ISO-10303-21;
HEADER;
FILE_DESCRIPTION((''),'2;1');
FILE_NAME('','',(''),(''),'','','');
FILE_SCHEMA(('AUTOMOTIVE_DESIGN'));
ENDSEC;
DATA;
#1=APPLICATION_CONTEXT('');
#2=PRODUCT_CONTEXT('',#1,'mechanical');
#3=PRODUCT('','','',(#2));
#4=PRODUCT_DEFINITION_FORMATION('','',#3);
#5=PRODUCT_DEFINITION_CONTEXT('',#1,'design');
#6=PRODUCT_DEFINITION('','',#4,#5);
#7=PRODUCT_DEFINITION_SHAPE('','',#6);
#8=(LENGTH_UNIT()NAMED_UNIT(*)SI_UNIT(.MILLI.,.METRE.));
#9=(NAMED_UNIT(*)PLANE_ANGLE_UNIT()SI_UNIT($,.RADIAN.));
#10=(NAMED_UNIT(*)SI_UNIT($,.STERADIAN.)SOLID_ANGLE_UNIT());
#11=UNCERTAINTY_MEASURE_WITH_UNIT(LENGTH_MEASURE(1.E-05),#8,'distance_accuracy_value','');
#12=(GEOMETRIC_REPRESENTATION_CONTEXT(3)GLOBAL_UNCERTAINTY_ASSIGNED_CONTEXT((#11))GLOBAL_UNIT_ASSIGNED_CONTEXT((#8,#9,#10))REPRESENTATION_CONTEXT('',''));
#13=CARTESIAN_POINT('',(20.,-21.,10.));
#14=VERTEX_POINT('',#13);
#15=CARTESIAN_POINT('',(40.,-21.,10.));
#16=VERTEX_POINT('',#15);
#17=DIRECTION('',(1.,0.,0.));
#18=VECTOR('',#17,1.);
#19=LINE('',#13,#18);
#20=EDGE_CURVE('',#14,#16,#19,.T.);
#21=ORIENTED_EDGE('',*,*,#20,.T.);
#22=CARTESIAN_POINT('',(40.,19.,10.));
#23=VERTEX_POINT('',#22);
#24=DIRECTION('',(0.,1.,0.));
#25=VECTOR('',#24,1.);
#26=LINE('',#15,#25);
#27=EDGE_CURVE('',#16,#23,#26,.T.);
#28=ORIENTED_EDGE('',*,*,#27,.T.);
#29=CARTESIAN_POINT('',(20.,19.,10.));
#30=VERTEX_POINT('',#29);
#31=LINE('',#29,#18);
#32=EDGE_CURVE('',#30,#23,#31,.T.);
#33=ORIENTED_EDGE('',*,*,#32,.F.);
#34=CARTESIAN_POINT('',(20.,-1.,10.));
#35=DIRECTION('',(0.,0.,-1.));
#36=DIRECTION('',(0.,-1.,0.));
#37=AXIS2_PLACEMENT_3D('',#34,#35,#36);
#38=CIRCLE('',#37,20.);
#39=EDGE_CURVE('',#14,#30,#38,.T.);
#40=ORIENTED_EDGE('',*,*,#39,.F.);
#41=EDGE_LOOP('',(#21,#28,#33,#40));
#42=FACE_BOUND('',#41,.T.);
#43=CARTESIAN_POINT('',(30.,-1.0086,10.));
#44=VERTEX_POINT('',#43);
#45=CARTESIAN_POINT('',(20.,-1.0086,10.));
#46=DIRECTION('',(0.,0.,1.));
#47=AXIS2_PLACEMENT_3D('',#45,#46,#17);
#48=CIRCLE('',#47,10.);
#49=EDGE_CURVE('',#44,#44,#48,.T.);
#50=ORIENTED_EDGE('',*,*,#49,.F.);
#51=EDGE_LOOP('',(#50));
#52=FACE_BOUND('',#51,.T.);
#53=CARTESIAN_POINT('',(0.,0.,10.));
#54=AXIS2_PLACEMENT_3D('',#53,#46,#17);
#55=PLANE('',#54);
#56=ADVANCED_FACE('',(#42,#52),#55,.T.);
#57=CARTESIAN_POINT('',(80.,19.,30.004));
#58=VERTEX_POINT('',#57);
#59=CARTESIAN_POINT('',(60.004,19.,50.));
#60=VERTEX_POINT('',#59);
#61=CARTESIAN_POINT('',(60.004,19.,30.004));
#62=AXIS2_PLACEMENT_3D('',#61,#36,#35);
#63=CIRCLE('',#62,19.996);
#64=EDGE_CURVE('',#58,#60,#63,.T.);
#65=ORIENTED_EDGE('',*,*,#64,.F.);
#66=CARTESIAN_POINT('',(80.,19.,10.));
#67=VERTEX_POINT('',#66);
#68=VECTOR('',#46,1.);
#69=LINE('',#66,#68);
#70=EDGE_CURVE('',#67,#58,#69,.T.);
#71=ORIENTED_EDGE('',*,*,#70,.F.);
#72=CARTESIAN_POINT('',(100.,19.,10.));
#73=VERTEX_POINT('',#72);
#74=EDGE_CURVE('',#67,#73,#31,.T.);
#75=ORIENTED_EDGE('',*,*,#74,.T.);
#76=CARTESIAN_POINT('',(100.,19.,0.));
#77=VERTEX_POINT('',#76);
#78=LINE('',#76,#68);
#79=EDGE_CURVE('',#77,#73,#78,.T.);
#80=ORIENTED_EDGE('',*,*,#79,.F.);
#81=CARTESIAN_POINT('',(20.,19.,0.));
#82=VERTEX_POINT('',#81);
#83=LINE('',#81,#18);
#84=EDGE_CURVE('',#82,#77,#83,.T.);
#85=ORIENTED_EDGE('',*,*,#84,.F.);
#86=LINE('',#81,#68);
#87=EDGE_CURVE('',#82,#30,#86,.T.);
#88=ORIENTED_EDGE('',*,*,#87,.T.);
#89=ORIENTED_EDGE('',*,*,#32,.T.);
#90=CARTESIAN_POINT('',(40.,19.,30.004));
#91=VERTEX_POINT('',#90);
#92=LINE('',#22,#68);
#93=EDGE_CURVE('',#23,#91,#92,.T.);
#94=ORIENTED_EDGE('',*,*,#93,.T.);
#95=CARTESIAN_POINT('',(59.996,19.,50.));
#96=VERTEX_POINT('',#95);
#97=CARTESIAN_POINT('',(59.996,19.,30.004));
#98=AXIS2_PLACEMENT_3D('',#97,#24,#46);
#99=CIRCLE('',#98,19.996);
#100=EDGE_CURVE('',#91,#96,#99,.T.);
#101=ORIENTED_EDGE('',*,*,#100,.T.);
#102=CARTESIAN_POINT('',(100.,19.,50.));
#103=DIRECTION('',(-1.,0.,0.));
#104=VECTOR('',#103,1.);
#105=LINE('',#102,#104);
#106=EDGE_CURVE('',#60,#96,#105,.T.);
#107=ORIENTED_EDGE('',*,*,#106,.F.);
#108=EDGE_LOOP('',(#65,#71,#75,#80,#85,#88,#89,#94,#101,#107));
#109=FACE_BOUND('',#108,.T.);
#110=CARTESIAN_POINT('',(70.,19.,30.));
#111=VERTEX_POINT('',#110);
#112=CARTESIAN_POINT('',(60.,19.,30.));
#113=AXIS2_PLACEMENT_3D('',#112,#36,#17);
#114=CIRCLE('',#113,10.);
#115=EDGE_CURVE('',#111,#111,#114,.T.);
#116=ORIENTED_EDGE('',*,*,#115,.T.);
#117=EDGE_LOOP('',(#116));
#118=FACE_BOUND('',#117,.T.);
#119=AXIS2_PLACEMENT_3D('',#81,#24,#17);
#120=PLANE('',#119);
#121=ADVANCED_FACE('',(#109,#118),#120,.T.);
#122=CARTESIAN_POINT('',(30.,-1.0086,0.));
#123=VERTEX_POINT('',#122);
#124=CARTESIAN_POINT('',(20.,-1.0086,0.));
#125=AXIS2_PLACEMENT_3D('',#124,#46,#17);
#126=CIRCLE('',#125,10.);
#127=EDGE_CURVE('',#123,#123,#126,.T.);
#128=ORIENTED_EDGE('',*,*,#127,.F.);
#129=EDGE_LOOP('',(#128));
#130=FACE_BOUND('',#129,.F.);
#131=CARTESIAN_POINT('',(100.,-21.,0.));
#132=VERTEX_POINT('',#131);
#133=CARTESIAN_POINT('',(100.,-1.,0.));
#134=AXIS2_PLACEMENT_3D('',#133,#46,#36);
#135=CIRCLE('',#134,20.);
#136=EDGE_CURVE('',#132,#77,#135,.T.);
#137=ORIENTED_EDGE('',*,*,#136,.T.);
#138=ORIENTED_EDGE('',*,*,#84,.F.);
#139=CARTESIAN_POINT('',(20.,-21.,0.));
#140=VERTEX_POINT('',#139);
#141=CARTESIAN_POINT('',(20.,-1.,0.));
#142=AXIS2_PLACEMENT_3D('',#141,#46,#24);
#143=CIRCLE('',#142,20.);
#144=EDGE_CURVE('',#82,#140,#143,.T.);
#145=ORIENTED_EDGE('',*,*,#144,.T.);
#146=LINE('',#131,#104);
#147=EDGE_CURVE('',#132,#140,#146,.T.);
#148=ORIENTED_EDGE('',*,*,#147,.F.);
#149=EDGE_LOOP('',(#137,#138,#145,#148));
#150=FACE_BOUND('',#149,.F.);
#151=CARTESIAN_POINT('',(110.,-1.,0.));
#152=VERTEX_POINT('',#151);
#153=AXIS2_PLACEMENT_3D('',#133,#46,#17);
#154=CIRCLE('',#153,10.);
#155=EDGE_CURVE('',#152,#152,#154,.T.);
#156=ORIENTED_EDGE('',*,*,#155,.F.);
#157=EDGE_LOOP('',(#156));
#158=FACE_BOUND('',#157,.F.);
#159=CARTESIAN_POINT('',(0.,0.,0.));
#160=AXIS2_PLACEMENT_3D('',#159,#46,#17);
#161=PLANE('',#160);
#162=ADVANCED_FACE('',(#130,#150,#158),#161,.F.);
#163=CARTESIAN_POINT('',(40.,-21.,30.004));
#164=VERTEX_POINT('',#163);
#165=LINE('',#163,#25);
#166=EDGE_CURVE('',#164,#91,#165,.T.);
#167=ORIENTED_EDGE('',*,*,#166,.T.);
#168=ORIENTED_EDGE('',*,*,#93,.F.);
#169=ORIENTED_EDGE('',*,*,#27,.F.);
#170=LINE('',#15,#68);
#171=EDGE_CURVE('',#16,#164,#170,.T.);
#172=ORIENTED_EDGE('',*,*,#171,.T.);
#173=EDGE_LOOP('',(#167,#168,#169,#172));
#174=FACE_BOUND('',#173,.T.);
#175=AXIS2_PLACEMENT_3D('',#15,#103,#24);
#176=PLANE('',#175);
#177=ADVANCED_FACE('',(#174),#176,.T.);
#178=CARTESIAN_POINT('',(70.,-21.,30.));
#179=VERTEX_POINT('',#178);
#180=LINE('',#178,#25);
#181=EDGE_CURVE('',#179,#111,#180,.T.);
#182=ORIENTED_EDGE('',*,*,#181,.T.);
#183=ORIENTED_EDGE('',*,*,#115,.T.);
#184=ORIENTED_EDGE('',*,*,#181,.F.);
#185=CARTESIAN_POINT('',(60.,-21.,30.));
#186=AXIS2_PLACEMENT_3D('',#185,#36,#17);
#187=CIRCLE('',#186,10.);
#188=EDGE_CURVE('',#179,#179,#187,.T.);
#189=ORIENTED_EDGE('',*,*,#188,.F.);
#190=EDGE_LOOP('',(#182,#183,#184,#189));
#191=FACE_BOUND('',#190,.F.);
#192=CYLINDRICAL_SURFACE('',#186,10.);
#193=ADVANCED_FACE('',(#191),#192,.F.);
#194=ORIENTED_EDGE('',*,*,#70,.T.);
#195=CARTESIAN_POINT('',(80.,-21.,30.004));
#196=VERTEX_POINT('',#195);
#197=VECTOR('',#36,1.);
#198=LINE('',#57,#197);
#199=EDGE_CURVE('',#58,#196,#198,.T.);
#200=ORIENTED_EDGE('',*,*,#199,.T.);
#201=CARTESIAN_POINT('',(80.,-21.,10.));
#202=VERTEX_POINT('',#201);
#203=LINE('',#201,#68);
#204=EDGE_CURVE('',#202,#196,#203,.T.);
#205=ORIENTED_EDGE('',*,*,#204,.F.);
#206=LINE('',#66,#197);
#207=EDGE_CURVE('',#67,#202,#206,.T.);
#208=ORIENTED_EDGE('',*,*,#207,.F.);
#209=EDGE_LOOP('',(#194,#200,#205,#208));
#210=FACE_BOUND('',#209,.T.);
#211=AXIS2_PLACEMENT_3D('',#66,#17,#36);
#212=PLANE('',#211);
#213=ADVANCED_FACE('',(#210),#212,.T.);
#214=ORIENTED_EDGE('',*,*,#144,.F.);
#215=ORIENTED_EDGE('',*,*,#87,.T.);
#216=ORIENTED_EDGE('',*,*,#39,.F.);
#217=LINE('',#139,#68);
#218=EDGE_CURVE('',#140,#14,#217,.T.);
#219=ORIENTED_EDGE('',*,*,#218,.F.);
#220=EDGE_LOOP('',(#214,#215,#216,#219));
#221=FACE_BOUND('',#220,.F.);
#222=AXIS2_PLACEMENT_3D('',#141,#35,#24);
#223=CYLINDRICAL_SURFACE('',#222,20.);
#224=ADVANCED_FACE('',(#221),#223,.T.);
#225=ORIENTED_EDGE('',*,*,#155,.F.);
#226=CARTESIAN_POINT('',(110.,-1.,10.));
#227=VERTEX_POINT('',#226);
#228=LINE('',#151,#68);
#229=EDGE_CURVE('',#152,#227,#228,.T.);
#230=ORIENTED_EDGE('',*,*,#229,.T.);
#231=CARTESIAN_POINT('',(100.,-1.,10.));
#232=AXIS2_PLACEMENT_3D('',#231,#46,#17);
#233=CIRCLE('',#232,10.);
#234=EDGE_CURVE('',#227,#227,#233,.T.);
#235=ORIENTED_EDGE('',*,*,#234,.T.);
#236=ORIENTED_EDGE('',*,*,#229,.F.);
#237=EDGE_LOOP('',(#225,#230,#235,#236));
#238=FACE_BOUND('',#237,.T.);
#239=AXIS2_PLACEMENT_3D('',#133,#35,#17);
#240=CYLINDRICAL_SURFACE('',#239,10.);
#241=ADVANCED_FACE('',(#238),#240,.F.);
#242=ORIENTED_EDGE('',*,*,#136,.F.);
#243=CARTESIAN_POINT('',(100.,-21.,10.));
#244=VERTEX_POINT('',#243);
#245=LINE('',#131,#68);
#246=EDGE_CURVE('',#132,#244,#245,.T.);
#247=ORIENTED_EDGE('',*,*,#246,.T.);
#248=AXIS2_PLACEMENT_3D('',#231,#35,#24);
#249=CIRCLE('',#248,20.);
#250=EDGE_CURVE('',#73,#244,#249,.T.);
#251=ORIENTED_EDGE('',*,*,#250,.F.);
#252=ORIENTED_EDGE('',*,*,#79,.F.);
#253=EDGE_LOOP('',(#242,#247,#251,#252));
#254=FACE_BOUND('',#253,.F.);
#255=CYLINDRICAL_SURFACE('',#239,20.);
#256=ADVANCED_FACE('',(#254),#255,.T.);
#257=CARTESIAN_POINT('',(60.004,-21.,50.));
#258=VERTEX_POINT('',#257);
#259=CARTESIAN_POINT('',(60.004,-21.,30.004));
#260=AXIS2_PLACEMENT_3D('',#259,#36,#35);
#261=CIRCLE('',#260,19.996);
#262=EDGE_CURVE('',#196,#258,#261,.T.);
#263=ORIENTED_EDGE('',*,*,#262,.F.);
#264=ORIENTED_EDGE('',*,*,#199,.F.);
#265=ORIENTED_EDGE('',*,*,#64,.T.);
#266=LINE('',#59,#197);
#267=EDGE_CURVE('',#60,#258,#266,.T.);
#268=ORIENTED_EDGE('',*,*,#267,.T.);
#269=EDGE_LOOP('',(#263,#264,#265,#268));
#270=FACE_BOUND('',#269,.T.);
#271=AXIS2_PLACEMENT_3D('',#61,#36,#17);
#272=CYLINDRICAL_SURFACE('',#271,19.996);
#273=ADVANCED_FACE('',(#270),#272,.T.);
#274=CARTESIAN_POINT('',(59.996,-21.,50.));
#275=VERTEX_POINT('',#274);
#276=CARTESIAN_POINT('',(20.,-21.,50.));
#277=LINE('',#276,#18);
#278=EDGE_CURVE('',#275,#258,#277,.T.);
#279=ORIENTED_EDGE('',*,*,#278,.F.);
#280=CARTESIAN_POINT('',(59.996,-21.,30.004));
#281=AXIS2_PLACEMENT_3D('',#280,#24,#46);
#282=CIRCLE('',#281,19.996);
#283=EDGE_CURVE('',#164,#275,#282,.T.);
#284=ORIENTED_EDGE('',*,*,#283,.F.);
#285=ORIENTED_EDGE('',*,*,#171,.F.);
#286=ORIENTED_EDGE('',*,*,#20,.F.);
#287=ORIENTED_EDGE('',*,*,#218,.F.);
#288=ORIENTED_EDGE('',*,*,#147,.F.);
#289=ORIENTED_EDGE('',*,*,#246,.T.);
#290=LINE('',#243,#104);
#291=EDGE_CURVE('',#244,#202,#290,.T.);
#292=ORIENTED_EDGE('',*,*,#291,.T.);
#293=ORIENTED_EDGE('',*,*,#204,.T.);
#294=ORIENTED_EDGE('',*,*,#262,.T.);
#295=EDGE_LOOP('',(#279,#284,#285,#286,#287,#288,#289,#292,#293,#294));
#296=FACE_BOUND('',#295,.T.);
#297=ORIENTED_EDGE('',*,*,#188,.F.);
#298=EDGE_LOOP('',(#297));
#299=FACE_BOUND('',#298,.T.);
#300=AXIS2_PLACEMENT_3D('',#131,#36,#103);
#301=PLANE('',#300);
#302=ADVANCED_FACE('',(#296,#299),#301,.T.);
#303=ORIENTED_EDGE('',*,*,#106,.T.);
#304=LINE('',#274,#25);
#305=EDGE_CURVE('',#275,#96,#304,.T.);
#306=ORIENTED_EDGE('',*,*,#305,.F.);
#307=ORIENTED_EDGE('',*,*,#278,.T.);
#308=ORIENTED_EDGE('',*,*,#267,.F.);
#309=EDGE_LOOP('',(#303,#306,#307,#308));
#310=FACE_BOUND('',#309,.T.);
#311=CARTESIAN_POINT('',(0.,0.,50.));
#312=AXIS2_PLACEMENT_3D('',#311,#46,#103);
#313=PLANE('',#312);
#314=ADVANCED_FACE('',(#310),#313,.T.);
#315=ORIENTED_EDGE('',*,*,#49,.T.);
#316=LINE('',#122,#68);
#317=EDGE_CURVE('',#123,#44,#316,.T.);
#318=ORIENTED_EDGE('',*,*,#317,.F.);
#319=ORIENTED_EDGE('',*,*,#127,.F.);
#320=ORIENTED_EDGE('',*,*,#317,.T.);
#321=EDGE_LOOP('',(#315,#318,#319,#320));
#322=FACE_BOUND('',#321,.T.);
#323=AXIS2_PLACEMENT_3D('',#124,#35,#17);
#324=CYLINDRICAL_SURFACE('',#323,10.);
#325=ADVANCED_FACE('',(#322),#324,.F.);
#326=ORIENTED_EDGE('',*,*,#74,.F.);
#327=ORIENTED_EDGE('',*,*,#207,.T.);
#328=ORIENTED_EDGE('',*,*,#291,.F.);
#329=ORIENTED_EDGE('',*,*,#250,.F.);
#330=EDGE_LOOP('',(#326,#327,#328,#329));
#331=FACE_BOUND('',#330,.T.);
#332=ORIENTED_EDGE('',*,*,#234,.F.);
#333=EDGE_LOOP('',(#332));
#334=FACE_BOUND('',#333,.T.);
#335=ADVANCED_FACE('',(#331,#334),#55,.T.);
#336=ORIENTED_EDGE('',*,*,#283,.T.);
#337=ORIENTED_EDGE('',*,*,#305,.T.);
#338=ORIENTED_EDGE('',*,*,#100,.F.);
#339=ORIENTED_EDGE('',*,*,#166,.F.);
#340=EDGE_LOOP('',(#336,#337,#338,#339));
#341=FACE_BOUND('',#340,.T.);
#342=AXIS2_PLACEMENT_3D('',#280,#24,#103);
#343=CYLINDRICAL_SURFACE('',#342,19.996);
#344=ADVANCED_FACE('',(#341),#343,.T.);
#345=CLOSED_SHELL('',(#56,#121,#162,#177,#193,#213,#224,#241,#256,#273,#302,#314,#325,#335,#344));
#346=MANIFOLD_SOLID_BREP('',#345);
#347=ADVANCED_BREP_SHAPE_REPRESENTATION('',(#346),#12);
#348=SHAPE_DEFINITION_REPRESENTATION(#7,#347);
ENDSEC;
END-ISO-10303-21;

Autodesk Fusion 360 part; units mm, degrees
sketch "Sketch1" plane through (0, 0, 0) normal (0, 0, 1) x (1, 0, 0)
  line L0 (20, 19) -> (100, 19)
  line L1 (120, -1) -> (120, -1)
  line L2 (100, -21) -> (20, -21)
  line L3 (0, -1) -> (0, -1)
  line L4 (20.2852, -21) -> (100.2852, -21)
  line L5 (20, 19) -> (100, 19)
  arc A0 (20, 19) -> (0, -1) centre (20, -1) ccw
  arc A1 (0, -1) -> (20, -21) centre (20, -1) ccw
  arc A2 (120, -1) -> (100, 19) centre (100, -1) ccw
  arc A3 (100, -21) -> (120, -1) centre (100, -1) ccw
  circle A4 centre (20, -1.0086) radius 10
  circle A5 centre (100, -1) radius 10
  point P0 (0, 19)
  point P1 (120, 19)
  point P2 (0, -21)
  dimension "d1" = 120
  dimension "d2" = 40
  dimension "d5" = 20
  dimension "d6" = 20
  dimension "d7" = 20
  dimension "d8" = 20
  dimension "d9" = 20
  dimension "d10" = 20
extrude "Extrude1" add sketch "Sketch1" along normal blind 10
sketch "Sketch2" plane through (0, 0, 10) normal (0, 0, 1) x (-1, 0, 0)
  circle A0 centre (-100, 1) radius 10
  circle A1 centre (-20, 1.0086) radius 10
  line L0 (-20, 21) -> (-100, 21)
  arc A2 (-100, 21) -> (-100, -19) centre (-100, 1) ccw
  line L1 (-100, -19) -> (-20, -19)
  arc A3 (-20, -19) -> (-20, 21) centre (-20, 1) ccw
  line L2 (-40, -19) -> (-80, -19)
  line L3 (-80, -19) -> (-80, 21)
  line L4 (-80, 21) -> (-40, 21)
  line L5 (-40, 21) -> (-40, -19)
  dimension "d13" = 40
extrude "Extrude2" add sketch "Sketch2" along normal blind 40 contours L0 L1 L2 L3 L4 L5
fillet "Fillet1" radius 20 2 edges at (40, -1, 50) (80, -1, 50)
sketch "Sketch3" plane through (0, -21, 0) normal (0, -1, 0) x (1, 0, 0)
  arc A0 (80, 30) -> (40, 30) centre (60, 30) ccw
  line L0 (40, 30) -> (40, 10)
  line L1 (40, 10) -> (20, 10)
  line L2 (20, 10) -> (20, 0)
  line L3 (20, 0) -> (100, 0)
  line L4 (100, 0) -> (100, 10)
  line L5 (100, 10) -> (80, 10)
  line L6 (80, 10) -> (80, 30)
  circle A1 centre (60, 30) radius 10
  dimension "d18" = 20
extrude "Extrude3" cut sketch "Sketch3" against normal blind 40 contours A1
